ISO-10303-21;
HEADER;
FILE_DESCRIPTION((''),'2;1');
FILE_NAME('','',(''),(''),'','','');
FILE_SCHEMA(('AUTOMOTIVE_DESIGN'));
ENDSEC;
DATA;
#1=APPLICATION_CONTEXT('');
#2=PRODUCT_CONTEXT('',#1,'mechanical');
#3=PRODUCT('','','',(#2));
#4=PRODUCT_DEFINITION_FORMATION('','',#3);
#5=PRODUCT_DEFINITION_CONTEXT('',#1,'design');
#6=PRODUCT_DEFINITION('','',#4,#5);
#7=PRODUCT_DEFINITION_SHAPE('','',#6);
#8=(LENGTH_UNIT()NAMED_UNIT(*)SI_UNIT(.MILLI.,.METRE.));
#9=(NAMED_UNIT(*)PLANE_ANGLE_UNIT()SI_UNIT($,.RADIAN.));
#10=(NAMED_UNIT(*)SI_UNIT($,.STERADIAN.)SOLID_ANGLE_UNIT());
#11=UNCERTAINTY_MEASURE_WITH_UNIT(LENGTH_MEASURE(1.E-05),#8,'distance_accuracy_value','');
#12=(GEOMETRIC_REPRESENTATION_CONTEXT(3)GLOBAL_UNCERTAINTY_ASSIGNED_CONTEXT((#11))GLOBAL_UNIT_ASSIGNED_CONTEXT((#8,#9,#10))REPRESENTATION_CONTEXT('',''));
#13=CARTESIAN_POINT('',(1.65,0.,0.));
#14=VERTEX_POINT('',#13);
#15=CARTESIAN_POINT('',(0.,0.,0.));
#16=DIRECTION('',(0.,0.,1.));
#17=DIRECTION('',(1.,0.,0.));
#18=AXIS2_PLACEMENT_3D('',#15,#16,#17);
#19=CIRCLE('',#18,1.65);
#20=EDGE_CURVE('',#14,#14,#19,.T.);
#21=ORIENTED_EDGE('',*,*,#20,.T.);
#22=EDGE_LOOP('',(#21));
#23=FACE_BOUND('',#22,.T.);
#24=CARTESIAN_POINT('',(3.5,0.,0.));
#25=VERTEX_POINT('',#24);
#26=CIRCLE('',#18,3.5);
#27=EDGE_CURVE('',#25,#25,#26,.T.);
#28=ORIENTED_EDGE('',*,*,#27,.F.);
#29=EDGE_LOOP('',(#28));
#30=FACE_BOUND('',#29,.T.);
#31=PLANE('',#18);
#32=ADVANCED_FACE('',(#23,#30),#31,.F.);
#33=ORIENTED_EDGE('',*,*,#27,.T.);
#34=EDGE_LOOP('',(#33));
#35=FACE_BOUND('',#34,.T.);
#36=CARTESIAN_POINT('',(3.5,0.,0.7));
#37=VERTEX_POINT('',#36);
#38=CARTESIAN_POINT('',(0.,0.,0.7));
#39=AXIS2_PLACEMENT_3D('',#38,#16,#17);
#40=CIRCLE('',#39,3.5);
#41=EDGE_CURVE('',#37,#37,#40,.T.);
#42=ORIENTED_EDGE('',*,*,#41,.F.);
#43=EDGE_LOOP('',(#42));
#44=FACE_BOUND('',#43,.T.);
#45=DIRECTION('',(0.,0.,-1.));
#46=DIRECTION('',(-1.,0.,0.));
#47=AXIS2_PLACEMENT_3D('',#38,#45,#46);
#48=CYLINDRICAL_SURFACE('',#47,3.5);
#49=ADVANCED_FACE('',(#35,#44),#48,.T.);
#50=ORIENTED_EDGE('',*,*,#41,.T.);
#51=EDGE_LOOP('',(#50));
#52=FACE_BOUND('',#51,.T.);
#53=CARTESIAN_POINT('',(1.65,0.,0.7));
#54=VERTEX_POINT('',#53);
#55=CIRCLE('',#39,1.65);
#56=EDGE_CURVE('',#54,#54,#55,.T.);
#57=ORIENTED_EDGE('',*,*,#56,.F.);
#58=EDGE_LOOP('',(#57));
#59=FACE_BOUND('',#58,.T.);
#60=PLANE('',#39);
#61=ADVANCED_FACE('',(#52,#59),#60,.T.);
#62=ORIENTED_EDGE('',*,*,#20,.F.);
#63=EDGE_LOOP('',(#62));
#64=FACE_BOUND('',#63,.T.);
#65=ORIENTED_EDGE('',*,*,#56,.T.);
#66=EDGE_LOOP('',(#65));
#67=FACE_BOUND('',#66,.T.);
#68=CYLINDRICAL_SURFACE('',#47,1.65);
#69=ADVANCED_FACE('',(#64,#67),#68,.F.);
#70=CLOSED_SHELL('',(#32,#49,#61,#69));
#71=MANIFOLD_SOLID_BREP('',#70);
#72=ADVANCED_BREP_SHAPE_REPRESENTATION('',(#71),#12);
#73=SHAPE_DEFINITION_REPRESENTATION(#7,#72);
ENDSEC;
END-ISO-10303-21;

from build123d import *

# Parameters (mm, degrees)
ESBO_O1_R                = 3.5
ESBO_O1_R_2              = 1.65
RESSALTO_EXTRUS_O1_DEPTH = 0.7


with BuildPart() as part:
    # Esboço1 → Ressalto-extrusão1 (new body)
    with BuildSketch(Plane.XY):
        Circle(ESBO_O1_R)
        Circle(ESBO_O1_R_2, mode=Mode.SUBTRACT)
    extrude(amount=RESSALTO_EXTRUS_O1_DEPTH)


solid = part.part
